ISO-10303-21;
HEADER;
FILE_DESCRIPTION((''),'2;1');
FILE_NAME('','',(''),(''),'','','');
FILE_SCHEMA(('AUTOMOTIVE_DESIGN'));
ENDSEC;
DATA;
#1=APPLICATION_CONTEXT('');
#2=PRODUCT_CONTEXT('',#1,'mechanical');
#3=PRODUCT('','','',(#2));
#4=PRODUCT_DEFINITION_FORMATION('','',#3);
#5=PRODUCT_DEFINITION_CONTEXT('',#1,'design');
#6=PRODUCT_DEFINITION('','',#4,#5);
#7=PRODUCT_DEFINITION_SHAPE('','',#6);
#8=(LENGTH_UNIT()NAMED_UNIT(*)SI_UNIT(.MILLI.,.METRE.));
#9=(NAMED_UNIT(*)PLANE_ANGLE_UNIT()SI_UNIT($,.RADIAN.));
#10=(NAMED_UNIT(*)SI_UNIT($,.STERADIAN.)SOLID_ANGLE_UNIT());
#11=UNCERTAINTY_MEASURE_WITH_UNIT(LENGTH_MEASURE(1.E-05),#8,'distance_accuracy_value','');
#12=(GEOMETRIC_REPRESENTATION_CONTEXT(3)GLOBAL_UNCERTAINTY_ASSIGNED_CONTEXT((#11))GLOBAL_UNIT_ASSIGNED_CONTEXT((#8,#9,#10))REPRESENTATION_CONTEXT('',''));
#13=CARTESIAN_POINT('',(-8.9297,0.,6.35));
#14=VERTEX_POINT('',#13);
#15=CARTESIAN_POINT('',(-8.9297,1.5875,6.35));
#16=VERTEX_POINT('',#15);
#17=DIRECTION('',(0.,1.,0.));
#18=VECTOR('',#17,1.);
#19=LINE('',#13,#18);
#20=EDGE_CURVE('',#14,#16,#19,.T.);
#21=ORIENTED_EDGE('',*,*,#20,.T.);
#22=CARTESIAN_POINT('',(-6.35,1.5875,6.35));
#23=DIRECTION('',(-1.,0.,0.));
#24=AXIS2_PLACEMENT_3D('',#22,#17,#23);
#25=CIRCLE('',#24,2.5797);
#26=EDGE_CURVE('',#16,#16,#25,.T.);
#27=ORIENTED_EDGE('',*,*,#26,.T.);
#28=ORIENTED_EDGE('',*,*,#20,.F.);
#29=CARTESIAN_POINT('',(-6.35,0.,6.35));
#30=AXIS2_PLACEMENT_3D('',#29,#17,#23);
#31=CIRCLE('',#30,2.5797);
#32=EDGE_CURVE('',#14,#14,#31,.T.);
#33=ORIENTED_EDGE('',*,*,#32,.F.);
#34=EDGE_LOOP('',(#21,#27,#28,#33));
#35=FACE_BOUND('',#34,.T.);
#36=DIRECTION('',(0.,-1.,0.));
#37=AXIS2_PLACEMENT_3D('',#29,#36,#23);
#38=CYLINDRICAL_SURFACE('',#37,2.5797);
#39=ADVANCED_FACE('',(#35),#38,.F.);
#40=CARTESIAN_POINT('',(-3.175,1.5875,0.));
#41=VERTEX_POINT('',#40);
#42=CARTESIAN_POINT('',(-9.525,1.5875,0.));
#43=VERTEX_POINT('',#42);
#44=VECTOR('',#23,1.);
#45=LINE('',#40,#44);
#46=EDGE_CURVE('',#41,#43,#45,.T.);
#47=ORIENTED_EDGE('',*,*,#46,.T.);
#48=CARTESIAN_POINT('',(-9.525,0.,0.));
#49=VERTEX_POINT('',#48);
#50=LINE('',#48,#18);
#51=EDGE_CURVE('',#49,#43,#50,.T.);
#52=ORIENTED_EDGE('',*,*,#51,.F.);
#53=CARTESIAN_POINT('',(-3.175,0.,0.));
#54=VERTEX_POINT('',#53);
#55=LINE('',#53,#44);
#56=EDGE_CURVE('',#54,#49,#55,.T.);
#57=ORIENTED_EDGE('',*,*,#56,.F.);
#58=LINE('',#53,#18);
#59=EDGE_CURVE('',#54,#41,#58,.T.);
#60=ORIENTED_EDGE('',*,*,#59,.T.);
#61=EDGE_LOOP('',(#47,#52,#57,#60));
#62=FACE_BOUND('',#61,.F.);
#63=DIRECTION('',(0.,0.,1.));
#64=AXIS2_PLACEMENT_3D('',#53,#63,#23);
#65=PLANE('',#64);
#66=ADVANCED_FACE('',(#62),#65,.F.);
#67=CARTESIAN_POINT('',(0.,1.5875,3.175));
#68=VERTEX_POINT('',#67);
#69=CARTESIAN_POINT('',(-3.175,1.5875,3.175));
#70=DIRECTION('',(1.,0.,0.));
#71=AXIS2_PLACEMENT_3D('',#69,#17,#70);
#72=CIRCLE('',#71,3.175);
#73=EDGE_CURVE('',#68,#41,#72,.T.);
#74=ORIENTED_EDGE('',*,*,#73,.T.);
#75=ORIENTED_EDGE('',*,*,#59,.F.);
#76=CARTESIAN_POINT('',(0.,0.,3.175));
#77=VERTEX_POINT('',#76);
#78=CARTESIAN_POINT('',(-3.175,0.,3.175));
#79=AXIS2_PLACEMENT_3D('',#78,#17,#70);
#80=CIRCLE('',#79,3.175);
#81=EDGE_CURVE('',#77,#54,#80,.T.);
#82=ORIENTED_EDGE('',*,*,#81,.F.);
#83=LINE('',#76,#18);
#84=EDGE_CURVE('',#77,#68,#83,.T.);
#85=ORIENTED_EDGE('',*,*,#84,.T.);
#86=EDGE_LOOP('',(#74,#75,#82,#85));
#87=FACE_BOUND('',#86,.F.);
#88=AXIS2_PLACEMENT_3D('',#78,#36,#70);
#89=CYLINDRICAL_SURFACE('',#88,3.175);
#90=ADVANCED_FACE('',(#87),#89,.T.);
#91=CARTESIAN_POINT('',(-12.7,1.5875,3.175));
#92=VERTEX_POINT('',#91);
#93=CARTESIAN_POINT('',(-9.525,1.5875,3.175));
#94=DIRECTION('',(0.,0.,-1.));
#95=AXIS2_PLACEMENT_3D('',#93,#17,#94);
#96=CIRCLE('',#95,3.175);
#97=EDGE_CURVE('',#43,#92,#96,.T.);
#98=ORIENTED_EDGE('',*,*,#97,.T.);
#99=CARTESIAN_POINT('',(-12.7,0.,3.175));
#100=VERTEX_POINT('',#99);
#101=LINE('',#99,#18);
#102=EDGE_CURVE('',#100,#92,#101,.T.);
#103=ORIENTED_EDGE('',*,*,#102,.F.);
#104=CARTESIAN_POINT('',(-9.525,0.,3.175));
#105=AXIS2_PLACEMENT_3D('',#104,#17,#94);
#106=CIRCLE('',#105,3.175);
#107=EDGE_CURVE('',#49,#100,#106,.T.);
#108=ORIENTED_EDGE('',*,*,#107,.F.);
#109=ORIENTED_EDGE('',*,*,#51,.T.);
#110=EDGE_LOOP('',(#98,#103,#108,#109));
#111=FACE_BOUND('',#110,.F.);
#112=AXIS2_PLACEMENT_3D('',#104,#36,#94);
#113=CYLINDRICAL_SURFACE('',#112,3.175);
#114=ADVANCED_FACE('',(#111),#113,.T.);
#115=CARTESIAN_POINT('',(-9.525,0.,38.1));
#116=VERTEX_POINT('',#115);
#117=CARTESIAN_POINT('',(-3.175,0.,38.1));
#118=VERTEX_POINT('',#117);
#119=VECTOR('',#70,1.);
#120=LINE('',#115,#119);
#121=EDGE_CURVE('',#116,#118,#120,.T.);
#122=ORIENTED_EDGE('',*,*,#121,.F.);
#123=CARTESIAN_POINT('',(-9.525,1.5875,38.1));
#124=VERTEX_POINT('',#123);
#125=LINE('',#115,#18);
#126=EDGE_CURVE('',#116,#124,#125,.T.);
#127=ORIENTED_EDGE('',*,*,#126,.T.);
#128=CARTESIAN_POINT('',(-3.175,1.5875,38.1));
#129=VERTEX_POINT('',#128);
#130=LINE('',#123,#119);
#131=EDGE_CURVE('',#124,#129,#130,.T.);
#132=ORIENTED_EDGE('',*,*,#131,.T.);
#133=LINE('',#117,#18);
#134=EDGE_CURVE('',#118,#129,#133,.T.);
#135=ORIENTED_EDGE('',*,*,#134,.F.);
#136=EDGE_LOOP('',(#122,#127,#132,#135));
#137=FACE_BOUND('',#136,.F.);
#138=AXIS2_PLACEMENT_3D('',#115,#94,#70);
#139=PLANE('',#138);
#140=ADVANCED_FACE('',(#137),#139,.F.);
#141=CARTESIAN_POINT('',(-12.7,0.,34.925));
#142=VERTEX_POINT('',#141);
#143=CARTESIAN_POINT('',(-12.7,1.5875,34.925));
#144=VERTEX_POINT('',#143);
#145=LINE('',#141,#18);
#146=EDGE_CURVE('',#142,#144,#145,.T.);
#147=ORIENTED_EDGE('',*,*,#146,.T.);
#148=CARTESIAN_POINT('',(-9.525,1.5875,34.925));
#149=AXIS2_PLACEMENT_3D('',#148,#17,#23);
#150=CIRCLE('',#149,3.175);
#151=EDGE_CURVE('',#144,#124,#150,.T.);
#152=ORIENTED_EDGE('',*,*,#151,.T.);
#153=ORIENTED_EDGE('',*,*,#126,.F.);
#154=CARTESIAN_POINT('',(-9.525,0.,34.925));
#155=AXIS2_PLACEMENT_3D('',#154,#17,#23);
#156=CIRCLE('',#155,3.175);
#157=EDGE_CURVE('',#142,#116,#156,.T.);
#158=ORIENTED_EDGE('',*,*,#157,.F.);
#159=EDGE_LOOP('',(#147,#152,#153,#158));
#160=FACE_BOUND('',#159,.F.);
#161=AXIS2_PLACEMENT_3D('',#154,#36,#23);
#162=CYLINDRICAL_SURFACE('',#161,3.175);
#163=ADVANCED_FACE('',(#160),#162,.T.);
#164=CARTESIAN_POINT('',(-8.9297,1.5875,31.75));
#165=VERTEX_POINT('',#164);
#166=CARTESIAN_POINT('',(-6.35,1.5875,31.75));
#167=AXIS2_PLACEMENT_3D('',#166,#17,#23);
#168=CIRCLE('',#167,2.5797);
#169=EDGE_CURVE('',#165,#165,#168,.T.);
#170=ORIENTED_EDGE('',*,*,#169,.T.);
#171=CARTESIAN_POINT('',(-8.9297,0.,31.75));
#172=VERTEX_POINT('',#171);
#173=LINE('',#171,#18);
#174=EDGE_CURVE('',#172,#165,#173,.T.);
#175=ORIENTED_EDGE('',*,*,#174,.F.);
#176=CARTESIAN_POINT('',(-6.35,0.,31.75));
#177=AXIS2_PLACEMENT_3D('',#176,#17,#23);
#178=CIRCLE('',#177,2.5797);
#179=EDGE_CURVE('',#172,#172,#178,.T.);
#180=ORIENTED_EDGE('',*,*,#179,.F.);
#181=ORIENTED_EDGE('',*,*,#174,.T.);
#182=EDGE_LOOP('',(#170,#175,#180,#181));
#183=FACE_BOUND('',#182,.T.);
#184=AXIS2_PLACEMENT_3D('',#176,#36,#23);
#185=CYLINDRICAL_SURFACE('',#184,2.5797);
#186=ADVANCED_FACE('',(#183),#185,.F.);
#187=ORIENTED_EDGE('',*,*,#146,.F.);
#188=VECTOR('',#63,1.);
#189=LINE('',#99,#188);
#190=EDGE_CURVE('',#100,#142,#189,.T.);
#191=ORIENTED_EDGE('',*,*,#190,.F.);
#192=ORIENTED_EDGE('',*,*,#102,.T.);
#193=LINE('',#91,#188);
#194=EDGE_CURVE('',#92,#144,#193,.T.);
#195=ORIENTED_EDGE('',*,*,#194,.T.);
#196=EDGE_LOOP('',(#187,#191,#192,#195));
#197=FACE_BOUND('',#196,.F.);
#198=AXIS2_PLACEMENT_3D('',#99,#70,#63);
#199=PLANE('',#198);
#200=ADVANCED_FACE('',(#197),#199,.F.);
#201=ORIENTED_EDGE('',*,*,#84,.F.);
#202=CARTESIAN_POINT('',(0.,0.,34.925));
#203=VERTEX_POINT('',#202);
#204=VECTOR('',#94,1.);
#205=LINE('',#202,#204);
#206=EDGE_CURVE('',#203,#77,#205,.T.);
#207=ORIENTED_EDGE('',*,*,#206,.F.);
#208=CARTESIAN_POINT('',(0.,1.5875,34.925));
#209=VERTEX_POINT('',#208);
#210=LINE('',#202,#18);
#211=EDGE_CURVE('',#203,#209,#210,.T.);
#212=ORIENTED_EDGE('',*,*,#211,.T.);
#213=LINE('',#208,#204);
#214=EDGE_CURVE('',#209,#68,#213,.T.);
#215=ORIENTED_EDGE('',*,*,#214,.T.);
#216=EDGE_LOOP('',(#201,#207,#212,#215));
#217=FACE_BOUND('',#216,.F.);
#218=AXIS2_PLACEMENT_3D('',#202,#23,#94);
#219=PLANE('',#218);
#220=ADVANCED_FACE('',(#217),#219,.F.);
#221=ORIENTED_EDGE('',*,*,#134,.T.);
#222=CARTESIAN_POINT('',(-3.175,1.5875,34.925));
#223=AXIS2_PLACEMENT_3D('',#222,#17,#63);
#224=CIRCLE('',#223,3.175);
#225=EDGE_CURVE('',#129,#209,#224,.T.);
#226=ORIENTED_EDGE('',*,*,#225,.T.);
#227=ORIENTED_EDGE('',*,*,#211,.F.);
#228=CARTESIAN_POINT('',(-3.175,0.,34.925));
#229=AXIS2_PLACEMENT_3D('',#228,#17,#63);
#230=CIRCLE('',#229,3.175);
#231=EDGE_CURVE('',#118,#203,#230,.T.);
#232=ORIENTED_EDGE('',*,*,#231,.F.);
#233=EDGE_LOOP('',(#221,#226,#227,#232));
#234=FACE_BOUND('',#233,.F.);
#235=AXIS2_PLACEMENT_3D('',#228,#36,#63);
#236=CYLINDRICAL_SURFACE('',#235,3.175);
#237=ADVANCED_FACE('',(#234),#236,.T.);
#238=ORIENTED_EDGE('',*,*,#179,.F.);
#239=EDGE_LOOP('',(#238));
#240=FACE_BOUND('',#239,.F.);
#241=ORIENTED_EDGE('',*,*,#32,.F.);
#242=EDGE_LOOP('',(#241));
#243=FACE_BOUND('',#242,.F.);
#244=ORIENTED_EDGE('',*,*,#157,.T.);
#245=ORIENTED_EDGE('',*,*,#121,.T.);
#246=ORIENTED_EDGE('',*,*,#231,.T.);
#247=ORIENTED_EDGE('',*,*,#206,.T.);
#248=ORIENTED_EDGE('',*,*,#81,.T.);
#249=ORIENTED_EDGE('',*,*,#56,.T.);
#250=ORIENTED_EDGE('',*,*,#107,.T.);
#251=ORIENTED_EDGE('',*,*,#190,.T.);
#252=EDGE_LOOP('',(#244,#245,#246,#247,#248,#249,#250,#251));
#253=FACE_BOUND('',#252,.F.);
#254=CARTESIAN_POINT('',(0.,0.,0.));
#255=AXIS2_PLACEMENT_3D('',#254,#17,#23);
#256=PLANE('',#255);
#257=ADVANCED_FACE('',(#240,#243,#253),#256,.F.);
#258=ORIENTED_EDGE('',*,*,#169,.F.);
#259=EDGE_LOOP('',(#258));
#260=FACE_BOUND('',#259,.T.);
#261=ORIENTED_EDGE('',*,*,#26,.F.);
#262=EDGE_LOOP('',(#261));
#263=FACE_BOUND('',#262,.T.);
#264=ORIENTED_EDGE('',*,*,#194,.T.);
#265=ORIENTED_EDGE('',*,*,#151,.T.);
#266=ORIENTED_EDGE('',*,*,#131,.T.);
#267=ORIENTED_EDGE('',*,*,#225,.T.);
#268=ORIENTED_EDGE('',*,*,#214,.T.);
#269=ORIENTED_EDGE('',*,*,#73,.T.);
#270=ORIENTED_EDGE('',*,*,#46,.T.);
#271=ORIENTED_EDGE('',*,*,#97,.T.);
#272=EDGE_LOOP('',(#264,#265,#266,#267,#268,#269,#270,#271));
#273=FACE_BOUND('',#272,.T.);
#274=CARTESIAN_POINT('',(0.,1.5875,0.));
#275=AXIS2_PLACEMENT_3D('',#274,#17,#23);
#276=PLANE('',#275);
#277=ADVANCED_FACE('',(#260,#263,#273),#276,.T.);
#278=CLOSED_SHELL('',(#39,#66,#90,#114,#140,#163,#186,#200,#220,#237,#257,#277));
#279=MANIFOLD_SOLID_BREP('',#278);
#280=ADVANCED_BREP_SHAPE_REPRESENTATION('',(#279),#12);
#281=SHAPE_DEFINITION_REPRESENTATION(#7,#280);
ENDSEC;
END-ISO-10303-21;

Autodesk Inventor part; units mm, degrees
ref_plane "YZ Plane" through (0, 0, 0) normal (1, 0, 0) x (0, 1, 0)
ref_plane "XZ Plane" through (0, 0, 0) normal (0, 1, 0) x (-1, 0, 0)
ref_plane "XY Plane" through (0, 0, 0) normal (0, 0, 1) x (1, 0, 0)
sketch "Sketch1" plane through (0, 0, 0) normal (0, 1, 0) x (-1, 0, 0)
  line L0 (3.175, 0) -> (9.525, 0)
  line L1 (12.7, 3.175) -> (12.7, 34.925)
  line L2 (9.525, 38.1) -> (3.175, 38.1)
  line L3 (0, 34.925) -> (0, 3.175)
  arc A0 (12.7, 34.925) -> (9.525, 38.1) centre (9.525, 34.925) ccw
  arc A1 (3.175, 38.1) -> (0, 34.925) centre (3.175, 34.925) ccw
  arc A2 (0, 3.175) -> (3.175, 0) centre (3.175, 3.175) ccw
  arc A3 (9.525, 0) -> (12.7, 3.175) centre (9.525, 3.175) ccw
  circle A4 centre (6.35, 31.75) radius 2.5797
  circle A5 centre (6.35, 6.35) radius 2.5797
  point P0 (0, 0)
  point P1 (12.7, 38.1)
  point P2 (12.7, 0)
  point P3 (0, 38.1)
  dimension "d0" = 12.7
  dimension "d1" = 38.1
  dimension "d2" = 3.175
  dimension "d3" = 25.4
  dimension "d4" = 6.35
  dimension "d5" = 6.35
  dimension "d6" = 6.35
  dimension "d7" = 5.1594
extrude "Extrusion1" add sketch "Sketch1" along normal blind 1.5875
equation "\"d5\" = d4"
equation "\"d6\" = d5"
properties part number "Triangle spacer"
